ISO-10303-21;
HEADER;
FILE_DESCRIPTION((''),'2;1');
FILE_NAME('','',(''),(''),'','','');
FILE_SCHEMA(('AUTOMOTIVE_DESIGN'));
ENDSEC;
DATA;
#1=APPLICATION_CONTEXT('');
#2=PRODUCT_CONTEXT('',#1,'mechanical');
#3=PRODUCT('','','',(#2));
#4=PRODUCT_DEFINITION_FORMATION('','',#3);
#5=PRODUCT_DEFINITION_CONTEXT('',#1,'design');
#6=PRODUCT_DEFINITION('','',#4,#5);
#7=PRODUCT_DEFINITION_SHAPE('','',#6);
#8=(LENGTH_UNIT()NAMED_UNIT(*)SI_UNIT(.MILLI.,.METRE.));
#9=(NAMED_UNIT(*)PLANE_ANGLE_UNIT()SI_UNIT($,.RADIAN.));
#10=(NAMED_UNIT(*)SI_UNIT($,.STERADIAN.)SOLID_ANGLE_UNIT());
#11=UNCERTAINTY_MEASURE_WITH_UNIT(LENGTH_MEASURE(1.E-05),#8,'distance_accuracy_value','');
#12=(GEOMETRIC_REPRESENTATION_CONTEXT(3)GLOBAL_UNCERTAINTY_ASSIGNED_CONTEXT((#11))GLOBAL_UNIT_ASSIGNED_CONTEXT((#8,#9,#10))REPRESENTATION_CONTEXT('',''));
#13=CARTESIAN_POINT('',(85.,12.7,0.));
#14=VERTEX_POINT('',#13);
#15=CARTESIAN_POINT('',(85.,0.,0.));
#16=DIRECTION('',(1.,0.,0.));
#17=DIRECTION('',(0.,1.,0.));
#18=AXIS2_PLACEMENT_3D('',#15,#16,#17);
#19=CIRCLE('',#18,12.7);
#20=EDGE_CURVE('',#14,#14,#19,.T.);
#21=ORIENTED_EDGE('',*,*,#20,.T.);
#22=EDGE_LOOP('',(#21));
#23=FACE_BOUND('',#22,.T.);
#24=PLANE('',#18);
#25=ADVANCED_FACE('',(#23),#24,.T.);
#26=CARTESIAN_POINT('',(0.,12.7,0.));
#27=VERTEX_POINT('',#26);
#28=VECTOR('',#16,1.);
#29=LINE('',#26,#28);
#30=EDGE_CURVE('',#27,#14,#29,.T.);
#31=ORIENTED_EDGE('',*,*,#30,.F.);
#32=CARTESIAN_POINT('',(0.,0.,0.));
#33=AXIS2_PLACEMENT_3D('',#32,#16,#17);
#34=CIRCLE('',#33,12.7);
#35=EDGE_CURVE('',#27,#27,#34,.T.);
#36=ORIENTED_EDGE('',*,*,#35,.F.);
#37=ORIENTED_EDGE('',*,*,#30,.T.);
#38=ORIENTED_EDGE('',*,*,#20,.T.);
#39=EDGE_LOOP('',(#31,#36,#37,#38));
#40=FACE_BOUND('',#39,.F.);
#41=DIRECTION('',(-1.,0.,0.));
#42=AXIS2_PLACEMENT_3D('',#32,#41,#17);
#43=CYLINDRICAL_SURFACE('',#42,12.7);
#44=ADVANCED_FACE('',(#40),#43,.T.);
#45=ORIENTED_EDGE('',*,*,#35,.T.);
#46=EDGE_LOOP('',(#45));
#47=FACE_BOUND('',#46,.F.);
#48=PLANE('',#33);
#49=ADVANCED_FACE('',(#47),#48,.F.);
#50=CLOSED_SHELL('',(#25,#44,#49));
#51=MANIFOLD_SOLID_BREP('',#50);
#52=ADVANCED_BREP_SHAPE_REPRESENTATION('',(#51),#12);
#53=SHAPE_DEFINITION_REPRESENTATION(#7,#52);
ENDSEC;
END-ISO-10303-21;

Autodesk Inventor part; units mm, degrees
ref_plane "YZ Plane" through (0, 0, 0) normal (1, 0, 0) x (0, 1, 0)
ref_plane "XZ Plane" through (0, 0, 0) normal (0, 1, 0) x (-1, 0, 0)
ref_plane "XY Plane" through (0, 0, 0) normal (0, 0, 1) x (1, 0, 0)
sketch "Sketch1" plane through (0, 0, 0) normal (1, 0, 0) x (0, 1, 0)
  circle A0 centre (0, 0) radius 12.7
  dimension "d0" = 25.4
extrude "Extrusion1" add sketch "Sketch1" along normal blind 85
thread "Thread1"
thread "Thread2"
properties part number "Eje"
